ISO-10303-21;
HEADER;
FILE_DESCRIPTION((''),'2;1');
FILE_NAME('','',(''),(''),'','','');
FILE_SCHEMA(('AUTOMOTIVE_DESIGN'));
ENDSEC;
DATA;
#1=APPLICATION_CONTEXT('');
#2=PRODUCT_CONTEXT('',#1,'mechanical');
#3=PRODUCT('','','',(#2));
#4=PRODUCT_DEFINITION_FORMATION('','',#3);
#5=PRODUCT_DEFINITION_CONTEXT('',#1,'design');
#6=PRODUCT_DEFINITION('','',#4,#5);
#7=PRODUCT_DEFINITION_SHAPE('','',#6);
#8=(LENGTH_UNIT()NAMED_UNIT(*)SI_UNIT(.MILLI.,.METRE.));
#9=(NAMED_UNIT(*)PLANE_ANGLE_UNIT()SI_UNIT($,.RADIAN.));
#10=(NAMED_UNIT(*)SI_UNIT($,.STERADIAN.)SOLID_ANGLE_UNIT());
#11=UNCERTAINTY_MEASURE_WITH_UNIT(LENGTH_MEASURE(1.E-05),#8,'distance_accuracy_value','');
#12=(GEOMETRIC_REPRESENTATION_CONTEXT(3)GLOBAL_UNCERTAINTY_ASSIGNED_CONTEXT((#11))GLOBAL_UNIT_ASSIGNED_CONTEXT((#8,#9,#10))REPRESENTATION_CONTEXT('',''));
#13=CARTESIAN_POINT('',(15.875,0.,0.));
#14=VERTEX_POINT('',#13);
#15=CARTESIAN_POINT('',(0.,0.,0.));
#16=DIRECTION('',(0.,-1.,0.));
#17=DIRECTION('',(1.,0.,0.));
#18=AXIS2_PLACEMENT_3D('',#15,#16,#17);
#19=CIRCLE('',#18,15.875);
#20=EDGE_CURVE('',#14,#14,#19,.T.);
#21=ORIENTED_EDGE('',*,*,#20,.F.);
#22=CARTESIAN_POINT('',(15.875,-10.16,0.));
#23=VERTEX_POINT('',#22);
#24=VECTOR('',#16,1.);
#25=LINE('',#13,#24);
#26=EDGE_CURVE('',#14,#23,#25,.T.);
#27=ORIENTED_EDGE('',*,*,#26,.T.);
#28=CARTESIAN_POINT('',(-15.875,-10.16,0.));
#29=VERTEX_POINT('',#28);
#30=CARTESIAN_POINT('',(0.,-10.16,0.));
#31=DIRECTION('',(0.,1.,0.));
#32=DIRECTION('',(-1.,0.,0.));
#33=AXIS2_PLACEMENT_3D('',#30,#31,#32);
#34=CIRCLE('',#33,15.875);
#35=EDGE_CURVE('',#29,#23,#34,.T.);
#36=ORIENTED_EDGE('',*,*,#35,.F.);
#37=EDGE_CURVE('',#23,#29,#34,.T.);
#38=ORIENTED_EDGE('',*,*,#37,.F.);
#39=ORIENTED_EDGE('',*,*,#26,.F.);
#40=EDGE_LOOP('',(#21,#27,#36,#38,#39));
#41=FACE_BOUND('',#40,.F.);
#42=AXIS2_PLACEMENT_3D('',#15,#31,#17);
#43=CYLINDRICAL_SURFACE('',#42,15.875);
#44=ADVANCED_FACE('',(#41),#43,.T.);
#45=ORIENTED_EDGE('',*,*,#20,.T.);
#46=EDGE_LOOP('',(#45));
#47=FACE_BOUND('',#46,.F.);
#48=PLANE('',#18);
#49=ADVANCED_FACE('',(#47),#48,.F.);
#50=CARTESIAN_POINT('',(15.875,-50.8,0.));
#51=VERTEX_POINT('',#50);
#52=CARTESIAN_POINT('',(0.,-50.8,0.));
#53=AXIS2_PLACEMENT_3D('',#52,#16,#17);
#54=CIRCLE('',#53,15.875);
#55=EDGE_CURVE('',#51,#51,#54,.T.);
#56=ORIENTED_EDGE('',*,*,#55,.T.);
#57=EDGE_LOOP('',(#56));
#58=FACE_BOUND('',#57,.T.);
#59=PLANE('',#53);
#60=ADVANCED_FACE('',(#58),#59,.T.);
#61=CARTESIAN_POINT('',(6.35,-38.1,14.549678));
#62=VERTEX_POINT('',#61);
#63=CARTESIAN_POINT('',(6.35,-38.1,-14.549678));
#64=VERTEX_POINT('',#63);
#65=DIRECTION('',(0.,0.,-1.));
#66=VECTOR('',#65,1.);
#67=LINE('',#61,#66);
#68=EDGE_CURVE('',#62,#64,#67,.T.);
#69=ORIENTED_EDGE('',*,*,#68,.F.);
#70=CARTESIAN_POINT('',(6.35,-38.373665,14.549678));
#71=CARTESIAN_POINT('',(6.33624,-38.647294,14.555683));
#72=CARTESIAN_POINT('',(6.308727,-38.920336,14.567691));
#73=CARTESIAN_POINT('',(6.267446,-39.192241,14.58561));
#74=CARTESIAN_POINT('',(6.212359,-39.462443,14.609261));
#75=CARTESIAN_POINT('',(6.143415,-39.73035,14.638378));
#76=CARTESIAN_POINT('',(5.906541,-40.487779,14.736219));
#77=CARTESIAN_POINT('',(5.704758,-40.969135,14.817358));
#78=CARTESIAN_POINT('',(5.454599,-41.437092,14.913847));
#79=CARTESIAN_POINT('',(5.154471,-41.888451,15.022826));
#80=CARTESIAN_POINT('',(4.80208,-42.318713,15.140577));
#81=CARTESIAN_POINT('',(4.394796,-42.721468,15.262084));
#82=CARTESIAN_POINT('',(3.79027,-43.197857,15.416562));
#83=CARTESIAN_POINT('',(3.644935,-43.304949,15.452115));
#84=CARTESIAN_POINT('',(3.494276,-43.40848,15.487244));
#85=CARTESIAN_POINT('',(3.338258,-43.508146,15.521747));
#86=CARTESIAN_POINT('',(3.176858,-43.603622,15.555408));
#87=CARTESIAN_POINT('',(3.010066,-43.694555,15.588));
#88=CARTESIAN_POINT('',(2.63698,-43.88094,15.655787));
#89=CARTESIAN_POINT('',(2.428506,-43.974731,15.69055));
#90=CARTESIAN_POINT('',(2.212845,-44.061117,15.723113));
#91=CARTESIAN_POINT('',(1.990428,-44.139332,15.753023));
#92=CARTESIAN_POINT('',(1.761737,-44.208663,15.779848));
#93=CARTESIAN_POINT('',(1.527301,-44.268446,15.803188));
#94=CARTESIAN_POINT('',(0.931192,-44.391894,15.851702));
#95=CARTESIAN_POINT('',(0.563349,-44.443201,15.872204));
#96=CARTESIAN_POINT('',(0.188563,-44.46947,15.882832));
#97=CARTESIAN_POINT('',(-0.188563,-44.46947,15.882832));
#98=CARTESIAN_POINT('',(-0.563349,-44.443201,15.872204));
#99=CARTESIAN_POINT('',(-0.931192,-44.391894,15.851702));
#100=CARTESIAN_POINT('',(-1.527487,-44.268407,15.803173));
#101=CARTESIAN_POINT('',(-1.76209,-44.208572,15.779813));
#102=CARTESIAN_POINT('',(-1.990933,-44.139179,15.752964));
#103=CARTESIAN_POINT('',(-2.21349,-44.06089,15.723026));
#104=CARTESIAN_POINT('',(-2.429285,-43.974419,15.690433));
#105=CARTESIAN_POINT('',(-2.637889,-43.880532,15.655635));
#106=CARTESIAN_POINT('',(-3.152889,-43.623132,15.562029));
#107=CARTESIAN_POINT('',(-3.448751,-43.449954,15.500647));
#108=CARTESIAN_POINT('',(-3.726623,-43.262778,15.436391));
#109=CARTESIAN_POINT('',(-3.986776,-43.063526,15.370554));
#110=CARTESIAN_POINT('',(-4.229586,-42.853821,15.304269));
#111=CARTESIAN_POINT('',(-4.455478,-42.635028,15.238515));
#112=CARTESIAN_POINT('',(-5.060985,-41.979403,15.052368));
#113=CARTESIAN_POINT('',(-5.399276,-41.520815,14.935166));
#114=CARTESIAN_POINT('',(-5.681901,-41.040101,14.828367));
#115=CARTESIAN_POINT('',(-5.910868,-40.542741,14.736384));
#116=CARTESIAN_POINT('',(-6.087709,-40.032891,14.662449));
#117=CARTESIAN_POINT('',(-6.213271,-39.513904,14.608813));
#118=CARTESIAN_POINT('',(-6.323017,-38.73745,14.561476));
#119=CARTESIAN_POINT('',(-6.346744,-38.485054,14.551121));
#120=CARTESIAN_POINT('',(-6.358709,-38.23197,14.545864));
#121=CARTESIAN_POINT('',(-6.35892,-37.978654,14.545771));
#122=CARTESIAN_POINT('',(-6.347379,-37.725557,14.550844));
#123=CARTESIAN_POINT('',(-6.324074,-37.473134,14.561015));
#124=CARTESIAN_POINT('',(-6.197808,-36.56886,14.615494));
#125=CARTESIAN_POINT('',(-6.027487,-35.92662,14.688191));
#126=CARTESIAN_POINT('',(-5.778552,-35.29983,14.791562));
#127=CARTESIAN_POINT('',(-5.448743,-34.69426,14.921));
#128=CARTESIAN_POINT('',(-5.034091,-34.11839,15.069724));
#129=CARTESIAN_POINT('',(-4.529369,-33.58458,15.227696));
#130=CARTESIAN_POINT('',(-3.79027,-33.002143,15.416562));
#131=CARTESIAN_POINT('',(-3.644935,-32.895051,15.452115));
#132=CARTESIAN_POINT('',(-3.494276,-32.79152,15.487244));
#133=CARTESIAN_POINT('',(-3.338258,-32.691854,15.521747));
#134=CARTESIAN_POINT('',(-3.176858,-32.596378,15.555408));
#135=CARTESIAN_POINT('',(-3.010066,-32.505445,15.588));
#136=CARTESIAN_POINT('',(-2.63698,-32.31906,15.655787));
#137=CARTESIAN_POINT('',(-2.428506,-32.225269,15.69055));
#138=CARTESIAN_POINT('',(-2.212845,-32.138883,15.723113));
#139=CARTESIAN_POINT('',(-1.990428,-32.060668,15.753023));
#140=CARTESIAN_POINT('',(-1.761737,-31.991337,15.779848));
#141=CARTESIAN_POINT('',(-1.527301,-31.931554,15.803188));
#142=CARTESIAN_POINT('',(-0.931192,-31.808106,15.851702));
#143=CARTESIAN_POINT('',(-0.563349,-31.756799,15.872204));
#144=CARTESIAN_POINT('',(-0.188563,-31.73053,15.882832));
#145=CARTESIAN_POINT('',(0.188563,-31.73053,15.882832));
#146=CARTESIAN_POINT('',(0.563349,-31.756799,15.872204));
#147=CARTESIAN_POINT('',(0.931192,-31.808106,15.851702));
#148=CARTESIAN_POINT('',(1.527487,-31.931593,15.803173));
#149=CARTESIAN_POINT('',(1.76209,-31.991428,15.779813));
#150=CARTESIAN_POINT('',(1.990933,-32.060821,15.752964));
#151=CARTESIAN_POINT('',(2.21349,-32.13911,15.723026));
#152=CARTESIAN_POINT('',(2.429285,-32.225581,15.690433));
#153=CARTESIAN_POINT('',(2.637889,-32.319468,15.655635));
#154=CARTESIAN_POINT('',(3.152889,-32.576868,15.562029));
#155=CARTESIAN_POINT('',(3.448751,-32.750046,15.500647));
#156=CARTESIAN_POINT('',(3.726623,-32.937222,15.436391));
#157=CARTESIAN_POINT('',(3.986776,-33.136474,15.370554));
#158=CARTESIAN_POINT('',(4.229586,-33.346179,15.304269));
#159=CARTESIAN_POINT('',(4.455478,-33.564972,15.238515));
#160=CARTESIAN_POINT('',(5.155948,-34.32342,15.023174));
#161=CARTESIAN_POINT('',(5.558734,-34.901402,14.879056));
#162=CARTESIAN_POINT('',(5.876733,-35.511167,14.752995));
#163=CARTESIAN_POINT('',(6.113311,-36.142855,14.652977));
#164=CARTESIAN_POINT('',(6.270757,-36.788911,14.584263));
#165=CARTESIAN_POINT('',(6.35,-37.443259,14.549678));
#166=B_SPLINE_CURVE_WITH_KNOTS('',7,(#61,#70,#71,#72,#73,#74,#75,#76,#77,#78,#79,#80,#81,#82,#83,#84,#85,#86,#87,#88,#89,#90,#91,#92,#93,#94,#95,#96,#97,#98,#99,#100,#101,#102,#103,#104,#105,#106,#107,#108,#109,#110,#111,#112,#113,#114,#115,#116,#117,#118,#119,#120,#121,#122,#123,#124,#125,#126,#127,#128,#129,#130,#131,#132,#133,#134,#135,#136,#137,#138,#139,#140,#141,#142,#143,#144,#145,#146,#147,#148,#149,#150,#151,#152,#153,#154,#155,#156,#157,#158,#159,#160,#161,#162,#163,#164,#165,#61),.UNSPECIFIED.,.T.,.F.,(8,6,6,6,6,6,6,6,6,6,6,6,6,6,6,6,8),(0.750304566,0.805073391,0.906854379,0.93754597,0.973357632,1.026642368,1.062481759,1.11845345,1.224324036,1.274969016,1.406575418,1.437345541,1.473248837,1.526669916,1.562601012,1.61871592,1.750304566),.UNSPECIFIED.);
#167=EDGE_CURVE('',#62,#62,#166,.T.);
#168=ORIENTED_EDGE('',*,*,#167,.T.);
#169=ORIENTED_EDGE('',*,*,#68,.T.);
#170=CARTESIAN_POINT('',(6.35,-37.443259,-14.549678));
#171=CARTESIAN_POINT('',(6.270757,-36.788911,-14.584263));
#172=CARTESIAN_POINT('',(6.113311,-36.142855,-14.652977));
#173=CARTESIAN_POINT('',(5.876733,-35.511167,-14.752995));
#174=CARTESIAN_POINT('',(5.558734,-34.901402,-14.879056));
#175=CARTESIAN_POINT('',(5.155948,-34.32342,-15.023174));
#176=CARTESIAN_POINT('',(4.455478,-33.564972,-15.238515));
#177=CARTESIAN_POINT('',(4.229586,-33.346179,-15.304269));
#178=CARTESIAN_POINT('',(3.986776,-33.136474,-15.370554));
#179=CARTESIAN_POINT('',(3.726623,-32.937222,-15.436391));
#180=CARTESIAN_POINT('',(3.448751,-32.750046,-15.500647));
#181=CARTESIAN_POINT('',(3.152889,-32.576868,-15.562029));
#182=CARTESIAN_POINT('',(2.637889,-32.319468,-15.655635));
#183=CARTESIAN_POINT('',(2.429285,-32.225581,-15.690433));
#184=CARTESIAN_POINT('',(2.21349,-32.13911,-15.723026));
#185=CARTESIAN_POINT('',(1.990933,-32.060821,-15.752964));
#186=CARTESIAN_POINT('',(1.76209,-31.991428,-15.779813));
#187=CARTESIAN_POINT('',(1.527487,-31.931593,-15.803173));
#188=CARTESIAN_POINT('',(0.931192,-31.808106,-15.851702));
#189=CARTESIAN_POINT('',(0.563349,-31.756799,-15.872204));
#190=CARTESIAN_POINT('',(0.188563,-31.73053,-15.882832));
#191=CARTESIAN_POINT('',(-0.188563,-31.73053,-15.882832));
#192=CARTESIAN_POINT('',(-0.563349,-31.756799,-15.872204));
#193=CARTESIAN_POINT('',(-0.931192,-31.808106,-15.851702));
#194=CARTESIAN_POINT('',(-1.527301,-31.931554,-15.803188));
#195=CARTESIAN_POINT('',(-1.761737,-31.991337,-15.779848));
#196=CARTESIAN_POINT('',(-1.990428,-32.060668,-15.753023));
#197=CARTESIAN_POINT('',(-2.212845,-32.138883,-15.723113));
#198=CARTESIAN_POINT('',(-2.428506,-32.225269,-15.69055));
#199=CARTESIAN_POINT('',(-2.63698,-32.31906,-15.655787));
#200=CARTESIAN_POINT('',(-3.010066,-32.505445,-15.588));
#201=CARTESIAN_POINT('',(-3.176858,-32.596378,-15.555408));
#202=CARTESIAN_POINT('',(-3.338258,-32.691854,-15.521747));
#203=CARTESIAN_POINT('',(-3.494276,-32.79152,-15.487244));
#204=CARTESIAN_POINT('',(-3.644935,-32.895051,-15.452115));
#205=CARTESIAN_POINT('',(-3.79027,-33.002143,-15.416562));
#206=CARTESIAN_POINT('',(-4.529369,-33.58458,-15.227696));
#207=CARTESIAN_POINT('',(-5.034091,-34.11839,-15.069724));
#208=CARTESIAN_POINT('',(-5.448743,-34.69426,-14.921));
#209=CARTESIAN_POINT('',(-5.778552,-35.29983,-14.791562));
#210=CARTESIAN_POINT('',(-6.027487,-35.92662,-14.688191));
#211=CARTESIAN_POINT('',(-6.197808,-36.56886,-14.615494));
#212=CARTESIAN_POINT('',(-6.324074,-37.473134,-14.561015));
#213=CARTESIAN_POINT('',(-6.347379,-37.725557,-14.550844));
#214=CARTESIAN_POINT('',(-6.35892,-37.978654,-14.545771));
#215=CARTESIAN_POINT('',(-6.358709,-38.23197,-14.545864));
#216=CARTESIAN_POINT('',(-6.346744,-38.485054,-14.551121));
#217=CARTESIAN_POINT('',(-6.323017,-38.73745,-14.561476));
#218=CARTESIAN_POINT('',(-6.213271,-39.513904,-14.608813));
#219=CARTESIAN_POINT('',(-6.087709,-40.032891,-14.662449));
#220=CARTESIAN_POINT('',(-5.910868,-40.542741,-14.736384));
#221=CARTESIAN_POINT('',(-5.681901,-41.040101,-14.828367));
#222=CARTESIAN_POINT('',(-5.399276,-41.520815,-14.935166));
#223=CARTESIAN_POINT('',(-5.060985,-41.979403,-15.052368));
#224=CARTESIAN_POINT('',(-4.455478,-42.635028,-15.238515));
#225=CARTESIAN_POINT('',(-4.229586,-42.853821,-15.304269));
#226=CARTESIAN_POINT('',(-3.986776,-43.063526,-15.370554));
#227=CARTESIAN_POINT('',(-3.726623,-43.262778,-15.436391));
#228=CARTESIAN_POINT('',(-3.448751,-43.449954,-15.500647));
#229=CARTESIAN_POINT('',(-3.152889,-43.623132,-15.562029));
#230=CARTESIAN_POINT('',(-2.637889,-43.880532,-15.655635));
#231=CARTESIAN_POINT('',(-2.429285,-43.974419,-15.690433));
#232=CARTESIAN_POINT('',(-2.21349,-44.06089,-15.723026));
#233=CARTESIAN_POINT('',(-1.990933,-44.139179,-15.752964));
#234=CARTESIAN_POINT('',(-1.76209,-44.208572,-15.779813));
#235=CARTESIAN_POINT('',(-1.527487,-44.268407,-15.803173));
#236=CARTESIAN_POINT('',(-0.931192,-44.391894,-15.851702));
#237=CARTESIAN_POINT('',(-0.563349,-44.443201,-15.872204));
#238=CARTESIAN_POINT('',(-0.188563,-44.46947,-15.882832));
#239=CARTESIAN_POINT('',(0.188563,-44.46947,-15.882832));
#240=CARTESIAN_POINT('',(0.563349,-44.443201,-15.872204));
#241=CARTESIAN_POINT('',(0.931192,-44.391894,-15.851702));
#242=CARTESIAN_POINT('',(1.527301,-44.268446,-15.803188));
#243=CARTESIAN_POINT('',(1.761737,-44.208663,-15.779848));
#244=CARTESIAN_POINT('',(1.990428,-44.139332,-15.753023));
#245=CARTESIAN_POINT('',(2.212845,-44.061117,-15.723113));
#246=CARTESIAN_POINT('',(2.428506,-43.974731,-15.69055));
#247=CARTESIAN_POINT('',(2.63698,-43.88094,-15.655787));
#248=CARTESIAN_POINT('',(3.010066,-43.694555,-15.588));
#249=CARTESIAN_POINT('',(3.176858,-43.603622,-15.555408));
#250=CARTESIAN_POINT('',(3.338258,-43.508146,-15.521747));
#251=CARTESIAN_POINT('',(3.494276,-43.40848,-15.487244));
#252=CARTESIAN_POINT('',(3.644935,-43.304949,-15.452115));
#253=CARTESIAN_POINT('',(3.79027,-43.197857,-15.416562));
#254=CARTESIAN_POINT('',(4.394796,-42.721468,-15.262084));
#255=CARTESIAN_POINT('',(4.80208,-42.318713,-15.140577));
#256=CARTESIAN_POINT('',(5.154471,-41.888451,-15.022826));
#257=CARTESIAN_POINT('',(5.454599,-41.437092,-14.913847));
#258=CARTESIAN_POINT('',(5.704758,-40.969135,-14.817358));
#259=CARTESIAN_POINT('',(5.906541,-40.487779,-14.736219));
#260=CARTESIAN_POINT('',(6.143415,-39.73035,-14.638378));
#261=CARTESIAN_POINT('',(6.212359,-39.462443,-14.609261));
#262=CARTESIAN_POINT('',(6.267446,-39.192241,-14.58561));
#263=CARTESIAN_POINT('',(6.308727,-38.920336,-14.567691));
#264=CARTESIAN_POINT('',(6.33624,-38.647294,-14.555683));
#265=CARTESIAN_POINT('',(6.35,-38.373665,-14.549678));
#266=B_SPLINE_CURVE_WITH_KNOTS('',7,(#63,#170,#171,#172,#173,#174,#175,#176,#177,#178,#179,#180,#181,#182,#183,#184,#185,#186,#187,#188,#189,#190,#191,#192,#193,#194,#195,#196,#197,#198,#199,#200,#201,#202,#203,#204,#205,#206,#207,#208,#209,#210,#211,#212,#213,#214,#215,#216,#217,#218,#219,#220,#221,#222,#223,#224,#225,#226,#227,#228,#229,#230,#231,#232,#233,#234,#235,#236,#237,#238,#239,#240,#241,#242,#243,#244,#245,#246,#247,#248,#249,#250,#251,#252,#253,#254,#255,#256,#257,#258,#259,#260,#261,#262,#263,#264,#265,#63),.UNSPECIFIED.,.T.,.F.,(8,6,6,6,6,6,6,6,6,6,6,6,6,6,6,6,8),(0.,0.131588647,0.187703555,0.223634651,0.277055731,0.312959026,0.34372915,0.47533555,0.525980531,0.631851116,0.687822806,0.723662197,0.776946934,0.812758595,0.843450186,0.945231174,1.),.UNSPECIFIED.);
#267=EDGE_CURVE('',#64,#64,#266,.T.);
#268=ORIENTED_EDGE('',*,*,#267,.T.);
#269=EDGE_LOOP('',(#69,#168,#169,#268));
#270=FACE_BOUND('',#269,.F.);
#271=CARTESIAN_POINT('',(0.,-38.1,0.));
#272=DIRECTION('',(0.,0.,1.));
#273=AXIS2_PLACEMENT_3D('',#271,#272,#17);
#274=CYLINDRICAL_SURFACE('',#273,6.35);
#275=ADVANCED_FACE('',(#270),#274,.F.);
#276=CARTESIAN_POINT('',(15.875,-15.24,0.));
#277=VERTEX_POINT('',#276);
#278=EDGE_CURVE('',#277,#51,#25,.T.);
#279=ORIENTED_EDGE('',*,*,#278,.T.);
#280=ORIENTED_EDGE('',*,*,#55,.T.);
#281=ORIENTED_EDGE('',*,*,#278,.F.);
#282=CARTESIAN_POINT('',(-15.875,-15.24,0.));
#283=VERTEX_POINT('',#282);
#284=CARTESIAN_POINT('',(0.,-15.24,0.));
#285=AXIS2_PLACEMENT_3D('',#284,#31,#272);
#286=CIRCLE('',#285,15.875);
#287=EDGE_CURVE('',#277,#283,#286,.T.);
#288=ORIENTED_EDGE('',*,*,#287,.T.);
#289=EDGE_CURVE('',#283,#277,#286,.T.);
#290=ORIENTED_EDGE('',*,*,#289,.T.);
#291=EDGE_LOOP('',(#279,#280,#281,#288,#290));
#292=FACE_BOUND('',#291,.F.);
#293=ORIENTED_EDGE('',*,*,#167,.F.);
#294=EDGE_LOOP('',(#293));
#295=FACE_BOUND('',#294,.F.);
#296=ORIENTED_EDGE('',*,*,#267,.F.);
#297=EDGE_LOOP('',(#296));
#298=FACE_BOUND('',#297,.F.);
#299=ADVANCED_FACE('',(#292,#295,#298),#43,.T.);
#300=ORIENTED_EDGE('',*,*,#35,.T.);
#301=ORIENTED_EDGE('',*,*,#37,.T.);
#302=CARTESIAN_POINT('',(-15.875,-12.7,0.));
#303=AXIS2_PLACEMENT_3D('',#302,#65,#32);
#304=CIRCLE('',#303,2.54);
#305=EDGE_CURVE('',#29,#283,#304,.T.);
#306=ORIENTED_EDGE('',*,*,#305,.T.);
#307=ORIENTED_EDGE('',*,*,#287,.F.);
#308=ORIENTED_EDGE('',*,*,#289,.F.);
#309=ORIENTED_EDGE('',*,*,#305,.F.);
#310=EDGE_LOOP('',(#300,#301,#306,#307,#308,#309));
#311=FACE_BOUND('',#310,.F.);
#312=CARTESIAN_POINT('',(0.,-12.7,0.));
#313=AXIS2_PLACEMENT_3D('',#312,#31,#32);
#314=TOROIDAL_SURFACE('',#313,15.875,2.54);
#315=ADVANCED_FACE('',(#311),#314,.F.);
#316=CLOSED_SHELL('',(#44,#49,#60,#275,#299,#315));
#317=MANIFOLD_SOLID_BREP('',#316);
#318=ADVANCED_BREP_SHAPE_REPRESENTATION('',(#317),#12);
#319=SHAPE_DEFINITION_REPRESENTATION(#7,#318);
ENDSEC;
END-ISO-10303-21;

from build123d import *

# Parameters (mm, degrees)
F0_R          = 15.875
F1_DEPTH      = 50.8
F4_R          = 2.54
F6_R          = 6.35
F7_DEPTH      = 15.875
F7_DEPTH_BACK = 15.875


with BuildPart() as f1:
    # F0 (on Front) → F1 (new body)
    with BuildSketch(Plane.XZ):
        Circle(F0_R)
    extrude(amount=F1_DEPTH)

    # F5: sweep along a path in F3
    with BuildLine(Plane(origin=(0, -12.7, 0), x_dir=(-1, 0, 0), z_dir=(0, 1, 0))) as f5_path:
        CenterArc((0, 0), 15.875, 0, 360)
    # F4 (on Right) → F5 (sweep, cut)
    with BuildSketch(Plane.YZ):
        with Locations((-12.7, 15.875)):
            Circle(F4_R)
    sweep(path=f5_path.line, mode=Mode.SUBTRACT)

    # F6 (on Top) → F7 (cut, two sides)
    with BuildSketch(Plane.XY) as f7_sk:
        with Locations((0, -38.1)):
            Circle(F6_R)
    extrude(amount=-F7_DEPTH, mode=Mode.SUBTRACT)
    extrude(f7_sk.sketch, amount=F7_DEPTH_BACK, mode=Mode.SUBTRACT)


solid = f1.part
